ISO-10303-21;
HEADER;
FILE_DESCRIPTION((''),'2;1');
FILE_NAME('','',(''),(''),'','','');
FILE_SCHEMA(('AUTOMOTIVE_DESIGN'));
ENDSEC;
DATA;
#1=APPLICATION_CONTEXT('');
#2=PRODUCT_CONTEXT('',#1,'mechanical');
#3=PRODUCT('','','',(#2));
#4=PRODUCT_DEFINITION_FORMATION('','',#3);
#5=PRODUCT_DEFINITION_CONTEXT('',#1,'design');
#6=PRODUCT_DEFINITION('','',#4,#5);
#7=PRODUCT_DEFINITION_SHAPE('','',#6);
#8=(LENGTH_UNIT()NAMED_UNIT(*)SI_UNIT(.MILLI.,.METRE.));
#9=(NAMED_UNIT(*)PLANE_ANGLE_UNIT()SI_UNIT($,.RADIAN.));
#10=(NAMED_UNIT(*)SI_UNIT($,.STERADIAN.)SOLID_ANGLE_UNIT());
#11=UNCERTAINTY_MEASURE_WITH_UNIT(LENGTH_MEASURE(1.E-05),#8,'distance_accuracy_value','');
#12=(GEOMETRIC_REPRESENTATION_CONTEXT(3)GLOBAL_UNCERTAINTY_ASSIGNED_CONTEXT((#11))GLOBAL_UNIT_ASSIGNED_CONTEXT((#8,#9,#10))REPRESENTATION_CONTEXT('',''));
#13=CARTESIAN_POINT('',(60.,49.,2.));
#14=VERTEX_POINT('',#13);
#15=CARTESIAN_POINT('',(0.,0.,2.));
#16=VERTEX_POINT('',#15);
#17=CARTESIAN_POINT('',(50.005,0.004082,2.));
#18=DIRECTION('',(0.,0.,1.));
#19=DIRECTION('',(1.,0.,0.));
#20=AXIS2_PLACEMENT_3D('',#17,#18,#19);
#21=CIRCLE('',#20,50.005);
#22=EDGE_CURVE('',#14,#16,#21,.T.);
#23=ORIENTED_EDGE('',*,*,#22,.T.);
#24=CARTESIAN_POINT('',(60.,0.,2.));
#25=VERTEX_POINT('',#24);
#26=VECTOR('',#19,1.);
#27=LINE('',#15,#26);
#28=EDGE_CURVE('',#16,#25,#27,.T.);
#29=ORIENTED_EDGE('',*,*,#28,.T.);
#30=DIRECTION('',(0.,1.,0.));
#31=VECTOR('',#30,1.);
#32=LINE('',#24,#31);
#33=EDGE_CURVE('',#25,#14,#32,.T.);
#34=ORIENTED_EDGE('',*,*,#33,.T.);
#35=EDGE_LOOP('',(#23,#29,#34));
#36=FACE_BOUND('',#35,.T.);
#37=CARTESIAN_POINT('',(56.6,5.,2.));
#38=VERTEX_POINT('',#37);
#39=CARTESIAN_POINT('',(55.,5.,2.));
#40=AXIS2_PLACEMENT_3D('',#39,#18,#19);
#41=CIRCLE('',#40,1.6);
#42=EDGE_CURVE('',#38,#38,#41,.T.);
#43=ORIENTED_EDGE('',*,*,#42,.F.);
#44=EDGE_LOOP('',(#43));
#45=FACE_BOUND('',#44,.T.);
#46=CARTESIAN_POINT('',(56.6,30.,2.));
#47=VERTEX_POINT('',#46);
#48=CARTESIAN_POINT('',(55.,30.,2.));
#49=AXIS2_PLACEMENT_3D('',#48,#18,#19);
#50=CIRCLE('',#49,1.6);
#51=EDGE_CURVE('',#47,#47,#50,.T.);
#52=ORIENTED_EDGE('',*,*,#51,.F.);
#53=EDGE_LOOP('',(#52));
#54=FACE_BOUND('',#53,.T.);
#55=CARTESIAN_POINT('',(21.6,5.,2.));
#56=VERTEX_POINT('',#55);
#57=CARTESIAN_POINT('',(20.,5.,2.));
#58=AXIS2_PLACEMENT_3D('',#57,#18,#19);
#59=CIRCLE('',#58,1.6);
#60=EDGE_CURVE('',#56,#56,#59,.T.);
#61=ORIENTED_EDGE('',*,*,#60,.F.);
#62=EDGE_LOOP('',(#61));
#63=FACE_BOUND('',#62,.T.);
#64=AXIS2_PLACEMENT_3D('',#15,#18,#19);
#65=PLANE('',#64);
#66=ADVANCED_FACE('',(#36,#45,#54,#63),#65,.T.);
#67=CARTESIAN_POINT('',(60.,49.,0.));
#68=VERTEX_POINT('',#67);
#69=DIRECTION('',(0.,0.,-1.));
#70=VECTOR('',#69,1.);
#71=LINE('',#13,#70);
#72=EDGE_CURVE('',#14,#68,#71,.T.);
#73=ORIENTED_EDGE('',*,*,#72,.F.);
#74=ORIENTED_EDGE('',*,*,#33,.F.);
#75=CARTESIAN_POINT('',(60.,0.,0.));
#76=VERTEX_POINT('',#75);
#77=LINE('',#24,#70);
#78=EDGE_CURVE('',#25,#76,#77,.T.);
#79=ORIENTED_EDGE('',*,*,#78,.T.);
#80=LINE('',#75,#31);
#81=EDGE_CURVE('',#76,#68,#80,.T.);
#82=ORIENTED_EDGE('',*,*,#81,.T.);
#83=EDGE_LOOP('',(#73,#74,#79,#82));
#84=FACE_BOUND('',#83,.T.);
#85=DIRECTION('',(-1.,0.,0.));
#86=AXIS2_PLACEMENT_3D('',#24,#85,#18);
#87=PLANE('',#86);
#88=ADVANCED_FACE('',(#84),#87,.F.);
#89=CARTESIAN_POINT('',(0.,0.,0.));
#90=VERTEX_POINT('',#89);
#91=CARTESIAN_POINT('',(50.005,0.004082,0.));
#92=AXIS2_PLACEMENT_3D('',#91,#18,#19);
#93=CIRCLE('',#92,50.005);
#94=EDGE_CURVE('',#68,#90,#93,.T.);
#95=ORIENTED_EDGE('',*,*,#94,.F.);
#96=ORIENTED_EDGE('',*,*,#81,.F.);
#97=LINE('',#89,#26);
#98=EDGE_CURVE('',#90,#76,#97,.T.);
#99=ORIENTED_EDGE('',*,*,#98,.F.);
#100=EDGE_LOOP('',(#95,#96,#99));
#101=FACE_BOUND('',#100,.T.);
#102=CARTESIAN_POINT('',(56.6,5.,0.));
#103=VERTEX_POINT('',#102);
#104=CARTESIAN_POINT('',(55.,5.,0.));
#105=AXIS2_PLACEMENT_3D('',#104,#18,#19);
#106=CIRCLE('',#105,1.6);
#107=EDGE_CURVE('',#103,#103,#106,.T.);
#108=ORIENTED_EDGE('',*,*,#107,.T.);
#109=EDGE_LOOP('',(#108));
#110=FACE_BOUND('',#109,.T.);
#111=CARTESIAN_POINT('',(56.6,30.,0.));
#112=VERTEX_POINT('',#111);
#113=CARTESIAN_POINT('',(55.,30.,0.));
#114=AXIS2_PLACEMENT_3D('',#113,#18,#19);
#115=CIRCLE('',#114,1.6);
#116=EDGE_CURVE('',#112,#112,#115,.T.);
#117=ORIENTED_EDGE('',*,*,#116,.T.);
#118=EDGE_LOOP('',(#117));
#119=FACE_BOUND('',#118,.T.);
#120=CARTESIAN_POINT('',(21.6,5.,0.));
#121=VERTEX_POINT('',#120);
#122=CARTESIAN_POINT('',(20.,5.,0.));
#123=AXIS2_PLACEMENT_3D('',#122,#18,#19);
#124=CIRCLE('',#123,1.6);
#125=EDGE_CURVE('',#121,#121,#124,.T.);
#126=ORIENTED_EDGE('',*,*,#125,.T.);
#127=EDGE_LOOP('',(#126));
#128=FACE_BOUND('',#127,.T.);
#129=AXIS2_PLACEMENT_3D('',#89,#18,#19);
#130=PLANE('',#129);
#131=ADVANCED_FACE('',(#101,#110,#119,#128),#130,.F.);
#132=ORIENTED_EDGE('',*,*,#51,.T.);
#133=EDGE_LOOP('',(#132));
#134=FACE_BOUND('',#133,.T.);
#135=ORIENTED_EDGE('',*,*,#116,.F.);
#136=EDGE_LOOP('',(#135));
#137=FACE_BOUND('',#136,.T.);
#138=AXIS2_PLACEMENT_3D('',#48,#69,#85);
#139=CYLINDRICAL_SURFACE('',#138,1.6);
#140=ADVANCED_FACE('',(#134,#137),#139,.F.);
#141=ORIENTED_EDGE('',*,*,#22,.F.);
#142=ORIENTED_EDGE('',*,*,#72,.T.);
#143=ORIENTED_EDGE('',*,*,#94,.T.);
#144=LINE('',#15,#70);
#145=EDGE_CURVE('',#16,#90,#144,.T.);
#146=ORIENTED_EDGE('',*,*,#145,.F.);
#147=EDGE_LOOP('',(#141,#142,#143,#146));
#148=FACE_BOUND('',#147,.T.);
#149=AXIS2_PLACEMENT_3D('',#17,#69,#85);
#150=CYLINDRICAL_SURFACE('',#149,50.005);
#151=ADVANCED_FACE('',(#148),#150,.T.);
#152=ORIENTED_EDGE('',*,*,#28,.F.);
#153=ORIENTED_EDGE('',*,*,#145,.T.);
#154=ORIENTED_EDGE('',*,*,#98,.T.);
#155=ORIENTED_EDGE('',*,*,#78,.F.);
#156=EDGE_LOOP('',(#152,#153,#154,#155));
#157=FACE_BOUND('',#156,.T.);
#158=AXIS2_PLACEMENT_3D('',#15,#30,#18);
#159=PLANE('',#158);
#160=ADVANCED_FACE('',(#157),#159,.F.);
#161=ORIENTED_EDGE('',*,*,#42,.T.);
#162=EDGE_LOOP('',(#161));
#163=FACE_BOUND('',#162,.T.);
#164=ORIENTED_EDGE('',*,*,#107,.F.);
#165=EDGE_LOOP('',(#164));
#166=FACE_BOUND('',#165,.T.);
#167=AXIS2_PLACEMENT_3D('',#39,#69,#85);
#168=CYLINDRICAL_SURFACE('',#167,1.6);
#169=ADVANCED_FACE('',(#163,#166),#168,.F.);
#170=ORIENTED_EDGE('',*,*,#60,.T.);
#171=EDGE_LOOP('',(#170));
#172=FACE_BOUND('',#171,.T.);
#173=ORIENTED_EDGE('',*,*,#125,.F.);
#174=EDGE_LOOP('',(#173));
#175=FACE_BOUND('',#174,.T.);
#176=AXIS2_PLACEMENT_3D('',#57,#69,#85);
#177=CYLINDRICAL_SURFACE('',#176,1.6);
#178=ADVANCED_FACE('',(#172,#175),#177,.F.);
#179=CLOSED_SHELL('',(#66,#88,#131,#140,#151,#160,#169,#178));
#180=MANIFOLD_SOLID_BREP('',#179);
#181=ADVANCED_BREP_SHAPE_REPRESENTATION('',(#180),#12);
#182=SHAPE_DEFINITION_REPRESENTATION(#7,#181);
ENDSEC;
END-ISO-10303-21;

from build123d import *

# Parameters (mm, degrees)
MODEL_R                         = 1.6
AUFSATZ_LINEAR_AUSTRAGEN1_DEPTH = 2


with BuildPart() as part:
    # Model → Aufsatz-Linear austragen1 (new body)
    with BuildSketch(Plane.XY):
        with BuildLine():
            Line((60, 0), (60, 49))
            ThreePointArc((60, 49), (18.375108617, 38.734560877), (0, 0))
            Line((0, 0), (60, 0))
        make_face()
        with Locations((20, 5)):
            Circle(MODEL_R, mode=Mode.SUBTRACT)
        with Locations((55, 30)):
            Circle(MODEL_R, mode=Mode.SUBTRACT)
        with Locations((55, 5)):
            Circle(MODEL_R, mode=Mode.SUBTRACT)
    extrude(amount=AUFSATZ_LINEAR_AUSTRAGEN1_DEPTH)


solid = part.part
